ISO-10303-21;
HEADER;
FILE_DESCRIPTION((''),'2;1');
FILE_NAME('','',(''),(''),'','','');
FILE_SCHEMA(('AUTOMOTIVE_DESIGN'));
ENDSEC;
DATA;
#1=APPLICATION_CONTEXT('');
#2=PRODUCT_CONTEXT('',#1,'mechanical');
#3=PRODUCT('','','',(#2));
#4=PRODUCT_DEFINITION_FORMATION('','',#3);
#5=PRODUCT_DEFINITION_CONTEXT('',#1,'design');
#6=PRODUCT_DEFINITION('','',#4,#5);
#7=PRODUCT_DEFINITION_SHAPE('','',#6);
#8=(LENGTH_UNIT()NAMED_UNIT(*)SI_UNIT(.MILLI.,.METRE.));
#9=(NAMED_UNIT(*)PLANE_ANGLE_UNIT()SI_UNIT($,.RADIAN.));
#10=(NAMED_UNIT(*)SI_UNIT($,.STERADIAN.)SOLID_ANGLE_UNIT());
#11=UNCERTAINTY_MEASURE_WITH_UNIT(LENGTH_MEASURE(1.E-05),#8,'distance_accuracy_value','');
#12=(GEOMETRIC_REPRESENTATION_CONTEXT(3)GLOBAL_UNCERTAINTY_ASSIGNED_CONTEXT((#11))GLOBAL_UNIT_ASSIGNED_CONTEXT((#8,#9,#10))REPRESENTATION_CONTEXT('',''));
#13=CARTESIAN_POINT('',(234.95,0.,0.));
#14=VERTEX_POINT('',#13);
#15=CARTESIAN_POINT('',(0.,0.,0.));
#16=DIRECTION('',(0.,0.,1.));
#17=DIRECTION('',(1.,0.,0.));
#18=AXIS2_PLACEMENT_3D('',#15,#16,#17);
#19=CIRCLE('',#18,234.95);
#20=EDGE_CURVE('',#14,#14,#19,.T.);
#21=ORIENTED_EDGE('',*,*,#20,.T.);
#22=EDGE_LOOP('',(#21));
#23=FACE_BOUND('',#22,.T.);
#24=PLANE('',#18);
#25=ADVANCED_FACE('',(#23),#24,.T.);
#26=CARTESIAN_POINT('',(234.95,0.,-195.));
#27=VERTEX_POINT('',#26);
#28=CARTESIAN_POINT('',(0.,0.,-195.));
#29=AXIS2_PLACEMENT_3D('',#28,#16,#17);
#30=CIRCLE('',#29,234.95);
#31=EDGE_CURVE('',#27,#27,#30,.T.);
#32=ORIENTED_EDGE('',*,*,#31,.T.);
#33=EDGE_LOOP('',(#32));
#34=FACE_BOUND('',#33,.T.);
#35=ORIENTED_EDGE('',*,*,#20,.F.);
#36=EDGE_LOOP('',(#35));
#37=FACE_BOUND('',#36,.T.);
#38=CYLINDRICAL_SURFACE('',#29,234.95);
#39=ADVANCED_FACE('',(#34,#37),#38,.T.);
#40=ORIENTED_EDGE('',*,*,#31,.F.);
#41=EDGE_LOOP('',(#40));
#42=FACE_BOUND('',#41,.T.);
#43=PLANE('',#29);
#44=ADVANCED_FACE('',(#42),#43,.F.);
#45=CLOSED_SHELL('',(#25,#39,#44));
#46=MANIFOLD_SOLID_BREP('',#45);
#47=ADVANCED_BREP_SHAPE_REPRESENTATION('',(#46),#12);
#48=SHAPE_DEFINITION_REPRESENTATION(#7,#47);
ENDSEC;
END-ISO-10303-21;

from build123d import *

# Parameters (mm, degrees)
SKETCH1_R           = 234.95
BOSS_EXTRUDE1_DEPTH = 195


with BuildPart() as part:
    # Sketch1 → Boss-Extrude1 (new body)
    with BuildSketch(Plane.XY):
        Circle(SKETCH1_R)
    extrude(amount=-BOSS_EXTRUDE1_DEPTH)


solid = part.part
